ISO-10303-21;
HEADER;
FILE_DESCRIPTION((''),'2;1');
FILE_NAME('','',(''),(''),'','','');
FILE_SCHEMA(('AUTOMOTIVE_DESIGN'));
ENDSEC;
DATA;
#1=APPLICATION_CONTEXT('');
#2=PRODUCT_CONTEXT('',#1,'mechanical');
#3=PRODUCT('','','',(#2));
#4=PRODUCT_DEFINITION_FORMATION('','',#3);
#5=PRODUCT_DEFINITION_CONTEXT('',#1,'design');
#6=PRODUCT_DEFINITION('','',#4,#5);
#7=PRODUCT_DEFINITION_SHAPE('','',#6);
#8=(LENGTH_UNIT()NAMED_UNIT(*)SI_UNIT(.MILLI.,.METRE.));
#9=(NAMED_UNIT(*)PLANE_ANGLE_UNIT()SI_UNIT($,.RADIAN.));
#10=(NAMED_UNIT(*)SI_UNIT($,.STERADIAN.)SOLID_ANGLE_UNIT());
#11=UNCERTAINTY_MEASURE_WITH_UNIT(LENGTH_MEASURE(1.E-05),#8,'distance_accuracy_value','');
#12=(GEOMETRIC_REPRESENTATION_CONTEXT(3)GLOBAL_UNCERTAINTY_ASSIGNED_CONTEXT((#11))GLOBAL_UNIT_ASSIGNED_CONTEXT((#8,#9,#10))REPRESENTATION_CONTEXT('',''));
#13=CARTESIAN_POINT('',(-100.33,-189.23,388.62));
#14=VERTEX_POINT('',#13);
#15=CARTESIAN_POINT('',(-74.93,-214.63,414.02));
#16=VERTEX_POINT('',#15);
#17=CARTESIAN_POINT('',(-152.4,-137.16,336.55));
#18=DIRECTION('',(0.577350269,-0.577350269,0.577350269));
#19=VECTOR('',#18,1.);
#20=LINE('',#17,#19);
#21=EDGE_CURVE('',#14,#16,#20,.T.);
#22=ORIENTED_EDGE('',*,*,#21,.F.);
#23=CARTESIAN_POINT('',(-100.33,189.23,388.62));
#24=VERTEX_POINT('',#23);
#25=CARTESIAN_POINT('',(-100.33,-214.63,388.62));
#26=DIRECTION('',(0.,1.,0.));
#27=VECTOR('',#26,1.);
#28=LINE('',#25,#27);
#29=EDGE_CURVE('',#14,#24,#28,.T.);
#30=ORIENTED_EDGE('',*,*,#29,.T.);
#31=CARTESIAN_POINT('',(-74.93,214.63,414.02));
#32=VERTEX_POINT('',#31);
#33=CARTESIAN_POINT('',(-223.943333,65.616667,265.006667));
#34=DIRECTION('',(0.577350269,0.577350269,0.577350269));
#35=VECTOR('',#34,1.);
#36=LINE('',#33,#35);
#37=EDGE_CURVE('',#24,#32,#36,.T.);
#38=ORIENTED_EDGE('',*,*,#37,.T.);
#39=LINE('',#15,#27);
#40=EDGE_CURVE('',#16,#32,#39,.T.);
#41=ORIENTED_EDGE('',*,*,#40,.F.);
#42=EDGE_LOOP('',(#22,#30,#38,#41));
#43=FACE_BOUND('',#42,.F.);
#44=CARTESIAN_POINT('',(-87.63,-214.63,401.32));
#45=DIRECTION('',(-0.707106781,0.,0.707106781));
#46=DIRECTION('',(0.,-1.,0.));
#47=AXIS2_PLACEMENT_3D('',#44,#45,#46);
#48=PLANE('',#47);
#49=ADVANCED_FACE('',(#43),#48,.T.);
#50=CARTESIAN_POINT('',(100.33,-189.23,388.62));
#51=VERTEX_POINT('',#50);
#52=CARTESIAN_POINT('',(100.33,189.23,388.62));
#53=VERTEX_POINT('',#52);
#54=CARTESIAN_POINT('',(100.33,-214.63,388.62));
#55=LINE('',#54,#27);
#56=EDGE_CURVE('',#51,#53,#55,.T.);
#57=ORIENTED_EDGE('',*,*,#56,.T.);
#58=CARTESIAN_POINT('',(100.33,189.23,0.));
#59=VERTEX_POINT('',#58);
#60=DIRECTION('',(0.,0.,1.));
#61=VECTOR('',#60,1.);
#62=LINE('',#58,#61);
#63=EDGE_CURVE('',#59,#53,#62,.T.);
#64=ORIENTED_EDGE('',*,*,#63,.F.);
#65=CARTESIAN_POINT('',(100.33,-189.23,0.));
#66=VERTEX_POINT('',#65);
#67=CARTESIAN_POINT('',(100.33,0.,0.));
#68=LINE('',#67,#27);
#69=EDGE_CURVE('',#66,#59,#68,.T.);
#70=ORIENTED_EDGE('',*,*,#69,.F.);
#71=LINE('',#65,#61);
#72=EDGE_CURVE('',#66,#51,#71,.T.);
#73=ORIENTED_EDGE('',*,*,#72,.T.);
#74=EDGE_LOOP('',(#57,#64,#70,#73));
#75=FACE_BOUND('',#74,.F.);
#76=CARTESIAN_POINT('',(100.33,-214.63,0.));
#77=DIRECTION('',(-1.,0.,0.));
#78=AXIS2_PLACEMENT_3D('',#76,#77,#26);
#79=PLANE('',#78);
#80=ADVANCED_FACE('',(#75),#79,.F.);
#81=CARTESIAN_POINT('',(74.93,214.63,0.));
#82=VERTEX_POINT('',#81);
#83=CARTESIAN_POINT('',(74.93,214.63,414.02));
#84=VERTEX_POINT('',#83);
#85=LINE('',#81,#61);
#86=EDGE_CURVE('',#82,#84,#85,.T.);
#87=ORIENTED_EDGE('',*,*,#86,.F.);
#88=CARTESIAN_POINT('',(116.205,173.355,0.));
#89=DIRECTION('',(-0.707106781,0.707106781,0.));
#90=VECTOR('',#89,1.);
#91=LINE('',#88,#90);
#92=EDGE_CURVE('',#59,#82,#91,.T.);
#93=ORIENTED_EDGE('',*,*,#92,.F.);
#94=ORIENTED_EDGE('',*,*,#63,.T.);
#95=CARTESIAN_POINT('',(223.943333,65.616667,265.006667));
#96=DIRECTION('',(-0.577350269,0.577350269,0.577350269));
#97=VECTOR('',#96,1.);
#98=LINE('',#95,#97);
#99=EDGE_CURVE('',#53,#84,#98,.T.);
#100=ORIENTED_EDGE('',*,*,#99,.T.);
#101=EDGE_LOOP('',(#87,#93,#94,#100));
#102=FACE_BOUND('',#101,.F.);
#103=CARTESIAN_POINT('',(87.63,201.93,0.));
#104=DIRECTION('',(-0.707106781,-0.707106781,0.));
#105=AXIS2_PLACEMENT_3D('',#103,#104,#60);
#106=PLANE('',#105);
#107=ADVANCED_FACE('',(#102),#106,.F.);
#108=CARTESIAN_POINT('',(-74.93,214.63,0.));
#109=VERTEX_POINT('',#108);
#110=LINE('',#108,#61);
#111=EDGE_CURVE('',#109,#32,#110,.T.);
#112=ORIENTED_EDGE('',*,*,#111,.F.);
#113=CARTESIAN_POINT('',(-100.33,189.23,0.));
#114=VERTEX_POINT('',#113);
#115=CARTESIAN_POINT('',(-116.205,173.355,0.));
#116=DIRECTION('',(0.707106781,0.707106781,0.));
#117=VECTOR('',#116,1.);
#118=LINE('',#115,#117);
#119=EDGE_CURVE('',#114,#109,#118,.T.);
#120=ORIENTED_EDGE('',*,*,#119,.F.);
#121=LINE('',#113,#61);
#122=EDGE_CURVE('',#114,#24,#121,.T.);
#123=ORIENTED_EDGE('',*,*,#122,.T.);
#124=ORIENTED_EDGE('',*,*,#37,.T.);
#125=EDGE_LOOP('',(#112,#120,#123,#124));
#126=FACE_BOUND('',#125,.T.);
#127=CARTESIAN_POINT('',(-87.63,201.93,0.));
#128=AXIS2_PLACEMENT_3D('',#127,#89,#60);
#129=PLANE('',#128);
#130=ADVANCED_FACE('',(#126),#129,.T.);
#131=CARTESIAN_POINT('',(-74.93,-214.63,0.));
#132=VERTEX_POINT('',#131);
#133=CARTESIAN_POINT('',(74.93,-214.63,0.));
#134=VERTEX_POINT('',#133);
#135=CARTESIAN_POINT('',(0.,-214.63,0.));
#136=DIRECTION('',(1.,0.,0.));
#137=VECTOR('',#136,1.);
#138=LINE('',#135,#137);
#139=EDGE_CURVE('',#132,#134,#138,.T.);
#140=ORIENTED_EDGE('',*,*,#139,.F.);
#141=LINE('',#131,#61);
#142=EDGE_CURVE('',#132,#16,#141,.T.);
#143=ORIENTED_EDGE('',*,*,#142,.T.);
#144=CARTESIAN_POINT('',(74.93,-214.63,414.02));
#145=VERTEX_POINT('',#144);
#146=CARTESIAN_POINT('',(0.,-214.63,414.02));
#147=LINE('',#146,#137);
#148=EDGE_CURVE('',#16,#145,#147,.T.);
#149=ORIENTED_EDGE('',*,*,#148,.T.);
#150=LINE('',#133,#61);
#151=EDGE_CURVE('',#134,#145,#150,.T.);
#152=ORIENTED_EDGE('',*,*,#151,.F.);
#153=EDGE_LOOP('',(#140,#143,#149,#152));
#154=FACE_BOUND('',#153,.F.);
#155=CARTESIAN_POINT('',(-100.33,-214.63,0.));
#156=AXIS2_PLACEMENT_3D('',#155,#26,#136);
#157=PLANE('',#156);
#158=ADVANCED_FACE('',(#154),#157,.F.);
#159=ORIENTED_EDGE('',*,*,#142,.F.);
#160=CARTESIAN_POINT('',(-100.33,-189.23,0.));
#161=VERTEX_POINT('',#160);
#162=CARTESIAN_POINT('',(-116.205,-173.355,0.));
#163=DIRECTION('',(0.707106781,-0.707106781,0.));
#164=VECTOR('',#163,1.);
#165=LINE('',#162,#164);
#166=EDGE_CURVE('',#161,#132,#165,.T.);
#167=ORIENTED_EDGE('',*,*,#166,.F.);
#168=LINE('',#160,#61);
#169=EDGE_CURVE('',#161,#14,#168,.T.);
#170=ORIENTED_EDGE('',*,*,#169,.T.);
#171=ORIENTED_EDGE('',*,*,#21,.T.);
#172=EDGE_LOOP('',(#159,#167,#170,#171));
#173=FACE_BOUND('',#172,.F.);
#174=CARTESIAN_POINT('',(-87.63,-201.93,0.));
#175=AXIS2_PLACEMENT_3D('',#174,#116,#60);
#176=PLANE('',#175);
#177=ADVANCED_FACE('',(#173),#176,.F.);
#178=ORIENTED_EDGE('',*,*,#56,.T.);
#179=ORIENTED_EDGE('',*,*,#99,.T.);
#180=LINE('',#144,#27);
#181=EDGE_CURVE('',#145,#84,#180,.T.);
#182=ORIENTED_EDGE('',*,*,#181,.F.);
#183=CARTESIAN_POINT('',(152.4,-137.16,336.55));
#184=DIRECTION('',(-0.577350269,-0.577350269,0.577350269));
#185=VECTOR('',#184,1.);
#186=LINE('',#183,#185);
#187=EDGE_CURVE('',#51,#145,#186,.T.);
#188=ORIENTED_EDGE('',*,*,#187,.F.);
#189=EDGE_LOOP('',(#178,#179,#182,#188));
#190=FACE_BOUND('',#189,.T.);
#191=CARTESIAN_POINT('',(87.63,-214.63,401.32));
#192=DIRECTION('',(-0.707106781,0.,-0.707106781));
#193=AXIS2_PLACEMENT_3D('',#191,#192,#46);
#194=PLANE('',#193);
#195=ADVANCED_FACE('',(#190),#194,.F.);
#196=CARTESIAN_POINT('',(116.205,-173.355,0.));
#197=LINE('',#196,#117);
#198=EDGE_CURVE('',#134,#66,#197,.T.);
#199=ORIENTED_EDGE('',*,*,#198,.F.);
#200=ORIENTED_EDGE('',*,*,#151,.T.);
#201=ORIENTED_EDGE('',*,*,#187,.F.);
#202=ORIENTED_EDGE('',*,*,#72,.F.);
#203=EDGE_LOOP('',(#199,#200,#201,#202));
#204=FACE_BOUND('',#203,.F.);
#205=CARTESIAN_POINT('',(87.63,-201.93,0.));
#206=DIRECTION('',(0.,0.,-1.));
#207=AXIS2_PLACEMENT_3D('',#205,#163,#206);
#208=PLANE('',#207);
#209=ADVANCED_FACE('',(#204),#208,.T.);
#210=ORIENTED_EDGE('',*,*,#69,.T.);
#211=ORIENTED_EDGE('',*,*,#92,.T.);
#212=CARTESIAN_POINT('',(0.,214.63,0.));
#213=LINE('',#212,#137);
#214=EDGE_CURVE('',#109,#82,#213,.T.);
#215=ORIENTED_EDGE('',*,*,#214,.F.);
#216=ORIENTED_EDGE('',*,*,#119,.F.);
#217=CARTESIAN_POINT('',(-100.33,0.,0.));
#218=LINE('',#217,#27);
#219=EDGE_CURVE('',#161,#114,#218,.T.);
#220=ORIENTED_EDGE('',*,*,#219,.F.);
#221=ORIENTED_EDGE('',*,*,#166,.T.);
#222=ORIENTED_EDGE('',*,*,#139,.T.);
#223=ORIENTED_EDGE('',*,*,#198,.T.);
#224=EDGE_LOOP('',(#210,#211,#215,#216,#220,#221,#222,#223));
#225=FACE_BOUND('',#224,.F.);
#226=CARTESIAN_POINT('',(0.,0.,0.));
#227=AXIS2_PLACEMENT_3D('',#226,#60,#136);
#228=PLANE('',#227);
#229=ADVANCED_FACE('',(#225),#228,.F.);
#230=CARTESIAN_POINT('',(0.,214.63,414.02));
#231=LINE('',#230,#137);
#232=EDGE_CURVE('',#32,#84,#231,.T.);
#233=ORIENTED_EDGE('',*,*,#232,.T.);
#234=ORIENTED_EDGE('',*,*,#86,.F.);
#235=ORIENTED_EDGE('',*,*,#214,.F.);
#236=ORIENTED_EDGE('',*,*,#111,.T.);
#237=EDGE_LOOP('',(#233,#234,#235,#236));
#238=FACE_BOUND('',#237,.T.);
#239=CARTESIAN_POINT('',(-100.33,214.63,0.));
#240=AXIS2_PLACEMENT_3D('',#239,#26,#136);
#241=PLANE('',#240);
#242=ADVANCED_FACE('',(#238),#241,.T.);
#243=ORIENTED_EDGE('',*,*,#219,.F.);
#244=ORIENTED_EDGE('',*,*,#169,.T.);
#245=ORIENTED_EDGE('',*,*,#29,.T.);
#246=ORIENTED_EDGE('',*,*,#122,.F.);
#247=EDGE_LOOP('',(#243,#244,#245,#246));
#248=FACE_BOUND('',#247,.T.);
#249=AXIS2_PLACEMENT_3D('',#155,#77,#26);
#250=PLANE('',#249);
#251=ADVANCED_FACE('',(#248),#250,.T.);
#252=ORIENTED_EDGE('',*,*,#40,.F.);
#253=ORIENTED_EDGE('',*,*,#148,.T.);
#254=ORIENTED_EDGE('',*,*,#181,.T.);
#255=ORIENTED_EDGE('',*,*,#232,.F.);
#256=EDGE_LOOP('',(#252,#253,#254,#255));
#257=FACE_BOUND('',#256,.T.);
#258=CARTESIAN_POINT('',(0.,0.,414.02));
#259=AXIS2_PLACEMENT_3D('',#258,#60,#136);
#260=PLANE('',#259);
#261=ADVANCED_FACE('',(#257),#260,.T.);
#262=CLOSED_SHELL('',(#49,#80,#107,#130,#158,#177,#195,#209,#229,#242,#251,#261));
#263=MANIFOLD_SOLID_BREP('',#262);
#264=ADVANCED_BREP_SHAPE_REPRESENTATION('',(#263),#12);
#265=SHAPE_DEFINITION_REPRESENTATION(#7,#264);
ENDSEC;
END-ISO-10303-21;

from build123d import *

# Parameters (mm, degrees)
F0_W     = 200.66
F0_H     = 429.26
F1_DEPTH = 414.02
F2_SIZE  = 25.4


with BuildPart() as f1:
    # F0 (on Top) → F1 (new body)
    with BuildSketch(Plane.XY):
        Rectangle(F0_W, F0_H)
    extrude(amount=F1_DEPTH)

    # F2
    f2_edges = [f1.edges().sort_by_distance(p)[0] for p in [
        (100.33, 0, 414.02),
        (-100.33, 0, 414.02),
        (100.33, -214.63, 207.01),
        (100.33, 214.63, 207.01),
        (-100.33, -214.63, 207.01),
        (-100.33, 214.63, 207.01),
    ]]
    chamfer(f2_edges, length=F2_SIZE)


solid = f1.part
